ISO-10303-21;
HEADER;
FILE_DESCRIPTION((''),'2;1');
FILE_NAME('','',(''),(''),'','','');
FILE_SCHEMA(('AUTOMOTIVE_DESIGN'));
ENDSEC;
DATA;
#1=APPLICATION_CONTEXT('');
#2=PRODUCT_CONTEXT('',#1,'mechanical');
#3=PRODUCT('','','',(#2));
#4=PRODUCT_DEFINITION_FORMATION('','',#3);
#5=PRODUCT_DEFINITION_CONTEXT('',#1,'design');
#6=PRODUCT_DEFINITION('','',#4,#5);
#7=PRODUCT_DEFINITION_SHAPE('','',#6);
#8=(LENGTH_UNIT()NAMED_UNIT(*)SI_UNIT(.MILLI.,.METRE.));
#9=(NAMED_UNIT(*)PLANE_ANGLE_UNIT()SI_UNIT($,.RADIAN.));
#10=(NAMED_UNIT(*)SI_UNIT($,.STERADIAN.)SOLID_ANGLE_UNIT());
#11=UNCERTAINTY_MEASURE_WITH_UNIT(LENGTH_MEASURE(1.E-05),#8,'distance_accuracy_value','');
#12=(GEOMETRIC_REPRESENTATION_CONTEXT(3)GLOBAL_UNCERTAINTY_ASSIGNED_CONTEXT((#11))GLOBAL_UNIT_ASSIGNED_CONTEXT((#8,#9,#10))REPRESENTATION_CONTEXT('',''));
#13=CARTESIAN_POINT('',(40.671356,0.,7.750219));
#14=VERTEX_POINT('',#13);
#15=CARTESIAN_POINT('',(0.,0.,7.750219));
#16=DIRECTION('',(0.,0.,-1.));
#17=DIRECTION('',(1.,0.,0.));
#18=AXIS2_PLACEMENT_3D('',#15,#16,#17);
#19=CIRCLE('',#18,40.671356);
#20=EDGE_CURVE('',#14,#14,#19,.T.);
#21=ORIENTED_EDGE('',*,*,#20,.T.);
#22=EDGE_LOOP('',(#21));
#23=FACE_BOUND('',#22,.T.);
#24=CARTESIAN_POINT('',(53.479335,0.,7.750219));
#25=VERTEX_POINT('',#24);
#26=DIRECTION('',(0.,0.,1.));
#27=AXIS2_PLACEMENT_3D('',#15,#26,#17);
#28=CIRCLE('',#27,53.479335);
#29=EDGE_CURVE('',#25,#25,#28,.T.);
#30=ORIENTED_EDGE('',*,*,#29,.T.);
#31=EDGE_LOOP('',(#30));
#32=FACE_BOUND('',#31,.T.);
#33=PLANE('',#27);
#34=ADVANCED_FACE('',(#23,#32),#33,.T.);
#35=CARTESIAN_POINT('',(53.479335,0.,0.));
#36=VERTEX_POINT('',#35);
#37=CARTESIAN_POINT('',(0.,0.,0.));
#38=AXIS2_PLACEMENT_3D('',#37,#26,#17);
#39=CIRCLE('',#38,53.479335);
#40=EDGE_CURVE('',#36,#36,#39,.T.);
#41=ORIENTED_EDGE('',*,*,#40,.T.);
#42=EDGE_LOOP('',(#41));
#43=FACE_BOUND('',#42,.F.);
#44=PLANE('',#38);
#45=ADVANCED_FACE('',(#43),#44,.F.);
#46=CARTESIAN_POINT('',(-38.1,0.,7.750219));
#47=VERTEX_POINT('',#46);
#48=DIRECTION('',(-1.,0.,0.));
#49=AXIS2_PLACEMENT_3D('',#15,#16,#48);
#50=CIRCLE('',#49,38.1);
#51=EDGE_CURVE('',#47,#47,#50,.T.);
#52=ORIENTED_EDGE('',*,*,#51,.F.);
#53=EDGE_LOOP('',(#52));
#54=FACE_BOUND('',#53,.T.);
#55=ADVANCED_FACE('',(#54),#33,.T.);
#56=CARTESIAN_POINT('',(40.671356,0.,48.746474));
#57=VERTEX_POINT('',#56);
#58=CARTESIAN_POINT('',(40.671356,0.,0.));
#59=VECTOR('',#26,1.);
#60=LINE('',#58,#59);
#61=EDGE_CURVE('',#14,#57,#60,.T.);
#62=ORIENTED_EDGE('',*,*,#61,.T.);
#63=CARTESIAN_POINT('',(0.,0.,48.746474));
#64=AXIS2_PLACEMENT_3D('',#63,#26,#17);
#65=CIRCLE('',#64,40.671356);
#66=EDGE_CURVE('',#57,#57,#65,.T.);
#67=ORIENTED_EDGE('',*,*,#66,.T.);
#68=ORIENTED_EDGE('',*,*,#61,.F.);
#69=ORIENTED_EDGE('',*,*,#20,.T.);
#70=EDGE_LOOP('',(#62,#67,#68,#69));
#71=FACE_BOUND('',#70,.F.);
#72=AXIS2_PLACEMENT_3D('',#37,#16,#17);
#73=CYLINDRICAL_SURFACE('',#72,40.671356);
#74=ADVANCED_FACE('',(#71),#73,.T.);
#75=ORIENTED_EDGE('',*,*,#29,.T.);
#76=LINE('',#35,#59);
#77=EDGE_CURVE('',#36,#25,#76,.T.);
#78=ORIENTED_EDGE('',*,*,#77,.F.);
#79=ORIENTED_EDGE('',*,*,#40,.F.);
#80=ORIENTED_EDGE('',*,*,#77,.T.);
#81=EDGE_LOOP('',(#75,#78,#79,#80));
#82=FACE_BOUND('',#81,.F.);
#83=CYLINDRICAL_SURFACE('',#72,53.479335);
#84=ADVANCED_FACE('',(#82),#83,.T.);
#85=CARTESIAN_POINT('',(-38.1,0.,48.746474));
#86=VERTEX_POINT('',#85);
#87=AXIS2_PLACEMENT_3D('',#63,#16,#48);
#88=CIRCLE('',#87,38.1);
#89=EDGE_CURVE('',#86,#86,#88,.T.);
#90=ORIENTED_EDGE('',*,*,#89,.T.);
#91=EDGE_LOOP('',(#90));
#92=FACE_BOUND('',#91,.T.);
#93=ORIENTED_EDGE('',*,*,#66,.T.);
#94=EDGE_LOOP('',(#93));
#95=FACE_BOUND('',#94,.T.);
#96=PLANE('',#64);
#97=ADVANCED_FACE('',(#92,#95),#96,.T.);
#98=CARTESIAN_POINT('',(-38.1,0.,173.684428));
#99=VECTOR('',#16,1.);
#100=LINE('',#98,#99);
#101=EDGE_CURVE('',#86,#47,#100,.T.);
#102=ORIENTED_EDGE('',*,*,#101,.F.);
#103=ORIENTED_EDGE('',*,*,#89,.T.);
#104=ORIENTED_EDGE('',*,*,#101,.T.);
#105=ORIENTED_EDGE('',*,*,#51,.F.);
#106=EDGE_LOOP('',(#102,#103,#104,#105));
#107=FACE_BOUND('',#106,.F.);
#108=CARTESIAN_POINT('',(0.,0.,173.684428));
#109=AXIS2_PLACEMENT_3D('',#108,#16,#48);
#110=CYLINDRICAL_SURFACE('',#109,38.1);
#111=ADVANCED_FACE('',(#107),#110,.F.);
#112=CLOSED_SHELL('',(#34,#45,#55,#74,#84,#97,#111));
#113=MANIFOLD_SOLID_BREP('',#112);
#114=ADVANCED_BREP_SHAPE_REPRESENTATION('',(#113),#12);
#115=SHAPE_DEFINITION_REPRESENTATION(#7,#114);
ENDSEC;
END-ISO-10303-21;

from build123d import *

# Parameters (mm, degrees)
F0_R     = 40.671356
F1_DEPTH = 48.746474
F3_D     = 76.2
F4_R     = 53.479335
F5_DEPTH = 7.750219


with BuildPart() as f1:
    # F0 (on Top) → F1 (new body)
    with BuildSketch(Plane.XY):
        Circle(F0_R)
    extrude(amount=F1_DEPTH)

    # F3 (through all)
    with Locations(Plane.XY.offset(48.746474)):
        with Locations((0, 0)):
            Hole(F3_D / 2)

    # F4 (on Top) → F5 (join)
    with BuildSketch(Plane.XY):
        Circle(F4_R)
    extrude(amount=F5_DEPTH)


solid = f1.part
